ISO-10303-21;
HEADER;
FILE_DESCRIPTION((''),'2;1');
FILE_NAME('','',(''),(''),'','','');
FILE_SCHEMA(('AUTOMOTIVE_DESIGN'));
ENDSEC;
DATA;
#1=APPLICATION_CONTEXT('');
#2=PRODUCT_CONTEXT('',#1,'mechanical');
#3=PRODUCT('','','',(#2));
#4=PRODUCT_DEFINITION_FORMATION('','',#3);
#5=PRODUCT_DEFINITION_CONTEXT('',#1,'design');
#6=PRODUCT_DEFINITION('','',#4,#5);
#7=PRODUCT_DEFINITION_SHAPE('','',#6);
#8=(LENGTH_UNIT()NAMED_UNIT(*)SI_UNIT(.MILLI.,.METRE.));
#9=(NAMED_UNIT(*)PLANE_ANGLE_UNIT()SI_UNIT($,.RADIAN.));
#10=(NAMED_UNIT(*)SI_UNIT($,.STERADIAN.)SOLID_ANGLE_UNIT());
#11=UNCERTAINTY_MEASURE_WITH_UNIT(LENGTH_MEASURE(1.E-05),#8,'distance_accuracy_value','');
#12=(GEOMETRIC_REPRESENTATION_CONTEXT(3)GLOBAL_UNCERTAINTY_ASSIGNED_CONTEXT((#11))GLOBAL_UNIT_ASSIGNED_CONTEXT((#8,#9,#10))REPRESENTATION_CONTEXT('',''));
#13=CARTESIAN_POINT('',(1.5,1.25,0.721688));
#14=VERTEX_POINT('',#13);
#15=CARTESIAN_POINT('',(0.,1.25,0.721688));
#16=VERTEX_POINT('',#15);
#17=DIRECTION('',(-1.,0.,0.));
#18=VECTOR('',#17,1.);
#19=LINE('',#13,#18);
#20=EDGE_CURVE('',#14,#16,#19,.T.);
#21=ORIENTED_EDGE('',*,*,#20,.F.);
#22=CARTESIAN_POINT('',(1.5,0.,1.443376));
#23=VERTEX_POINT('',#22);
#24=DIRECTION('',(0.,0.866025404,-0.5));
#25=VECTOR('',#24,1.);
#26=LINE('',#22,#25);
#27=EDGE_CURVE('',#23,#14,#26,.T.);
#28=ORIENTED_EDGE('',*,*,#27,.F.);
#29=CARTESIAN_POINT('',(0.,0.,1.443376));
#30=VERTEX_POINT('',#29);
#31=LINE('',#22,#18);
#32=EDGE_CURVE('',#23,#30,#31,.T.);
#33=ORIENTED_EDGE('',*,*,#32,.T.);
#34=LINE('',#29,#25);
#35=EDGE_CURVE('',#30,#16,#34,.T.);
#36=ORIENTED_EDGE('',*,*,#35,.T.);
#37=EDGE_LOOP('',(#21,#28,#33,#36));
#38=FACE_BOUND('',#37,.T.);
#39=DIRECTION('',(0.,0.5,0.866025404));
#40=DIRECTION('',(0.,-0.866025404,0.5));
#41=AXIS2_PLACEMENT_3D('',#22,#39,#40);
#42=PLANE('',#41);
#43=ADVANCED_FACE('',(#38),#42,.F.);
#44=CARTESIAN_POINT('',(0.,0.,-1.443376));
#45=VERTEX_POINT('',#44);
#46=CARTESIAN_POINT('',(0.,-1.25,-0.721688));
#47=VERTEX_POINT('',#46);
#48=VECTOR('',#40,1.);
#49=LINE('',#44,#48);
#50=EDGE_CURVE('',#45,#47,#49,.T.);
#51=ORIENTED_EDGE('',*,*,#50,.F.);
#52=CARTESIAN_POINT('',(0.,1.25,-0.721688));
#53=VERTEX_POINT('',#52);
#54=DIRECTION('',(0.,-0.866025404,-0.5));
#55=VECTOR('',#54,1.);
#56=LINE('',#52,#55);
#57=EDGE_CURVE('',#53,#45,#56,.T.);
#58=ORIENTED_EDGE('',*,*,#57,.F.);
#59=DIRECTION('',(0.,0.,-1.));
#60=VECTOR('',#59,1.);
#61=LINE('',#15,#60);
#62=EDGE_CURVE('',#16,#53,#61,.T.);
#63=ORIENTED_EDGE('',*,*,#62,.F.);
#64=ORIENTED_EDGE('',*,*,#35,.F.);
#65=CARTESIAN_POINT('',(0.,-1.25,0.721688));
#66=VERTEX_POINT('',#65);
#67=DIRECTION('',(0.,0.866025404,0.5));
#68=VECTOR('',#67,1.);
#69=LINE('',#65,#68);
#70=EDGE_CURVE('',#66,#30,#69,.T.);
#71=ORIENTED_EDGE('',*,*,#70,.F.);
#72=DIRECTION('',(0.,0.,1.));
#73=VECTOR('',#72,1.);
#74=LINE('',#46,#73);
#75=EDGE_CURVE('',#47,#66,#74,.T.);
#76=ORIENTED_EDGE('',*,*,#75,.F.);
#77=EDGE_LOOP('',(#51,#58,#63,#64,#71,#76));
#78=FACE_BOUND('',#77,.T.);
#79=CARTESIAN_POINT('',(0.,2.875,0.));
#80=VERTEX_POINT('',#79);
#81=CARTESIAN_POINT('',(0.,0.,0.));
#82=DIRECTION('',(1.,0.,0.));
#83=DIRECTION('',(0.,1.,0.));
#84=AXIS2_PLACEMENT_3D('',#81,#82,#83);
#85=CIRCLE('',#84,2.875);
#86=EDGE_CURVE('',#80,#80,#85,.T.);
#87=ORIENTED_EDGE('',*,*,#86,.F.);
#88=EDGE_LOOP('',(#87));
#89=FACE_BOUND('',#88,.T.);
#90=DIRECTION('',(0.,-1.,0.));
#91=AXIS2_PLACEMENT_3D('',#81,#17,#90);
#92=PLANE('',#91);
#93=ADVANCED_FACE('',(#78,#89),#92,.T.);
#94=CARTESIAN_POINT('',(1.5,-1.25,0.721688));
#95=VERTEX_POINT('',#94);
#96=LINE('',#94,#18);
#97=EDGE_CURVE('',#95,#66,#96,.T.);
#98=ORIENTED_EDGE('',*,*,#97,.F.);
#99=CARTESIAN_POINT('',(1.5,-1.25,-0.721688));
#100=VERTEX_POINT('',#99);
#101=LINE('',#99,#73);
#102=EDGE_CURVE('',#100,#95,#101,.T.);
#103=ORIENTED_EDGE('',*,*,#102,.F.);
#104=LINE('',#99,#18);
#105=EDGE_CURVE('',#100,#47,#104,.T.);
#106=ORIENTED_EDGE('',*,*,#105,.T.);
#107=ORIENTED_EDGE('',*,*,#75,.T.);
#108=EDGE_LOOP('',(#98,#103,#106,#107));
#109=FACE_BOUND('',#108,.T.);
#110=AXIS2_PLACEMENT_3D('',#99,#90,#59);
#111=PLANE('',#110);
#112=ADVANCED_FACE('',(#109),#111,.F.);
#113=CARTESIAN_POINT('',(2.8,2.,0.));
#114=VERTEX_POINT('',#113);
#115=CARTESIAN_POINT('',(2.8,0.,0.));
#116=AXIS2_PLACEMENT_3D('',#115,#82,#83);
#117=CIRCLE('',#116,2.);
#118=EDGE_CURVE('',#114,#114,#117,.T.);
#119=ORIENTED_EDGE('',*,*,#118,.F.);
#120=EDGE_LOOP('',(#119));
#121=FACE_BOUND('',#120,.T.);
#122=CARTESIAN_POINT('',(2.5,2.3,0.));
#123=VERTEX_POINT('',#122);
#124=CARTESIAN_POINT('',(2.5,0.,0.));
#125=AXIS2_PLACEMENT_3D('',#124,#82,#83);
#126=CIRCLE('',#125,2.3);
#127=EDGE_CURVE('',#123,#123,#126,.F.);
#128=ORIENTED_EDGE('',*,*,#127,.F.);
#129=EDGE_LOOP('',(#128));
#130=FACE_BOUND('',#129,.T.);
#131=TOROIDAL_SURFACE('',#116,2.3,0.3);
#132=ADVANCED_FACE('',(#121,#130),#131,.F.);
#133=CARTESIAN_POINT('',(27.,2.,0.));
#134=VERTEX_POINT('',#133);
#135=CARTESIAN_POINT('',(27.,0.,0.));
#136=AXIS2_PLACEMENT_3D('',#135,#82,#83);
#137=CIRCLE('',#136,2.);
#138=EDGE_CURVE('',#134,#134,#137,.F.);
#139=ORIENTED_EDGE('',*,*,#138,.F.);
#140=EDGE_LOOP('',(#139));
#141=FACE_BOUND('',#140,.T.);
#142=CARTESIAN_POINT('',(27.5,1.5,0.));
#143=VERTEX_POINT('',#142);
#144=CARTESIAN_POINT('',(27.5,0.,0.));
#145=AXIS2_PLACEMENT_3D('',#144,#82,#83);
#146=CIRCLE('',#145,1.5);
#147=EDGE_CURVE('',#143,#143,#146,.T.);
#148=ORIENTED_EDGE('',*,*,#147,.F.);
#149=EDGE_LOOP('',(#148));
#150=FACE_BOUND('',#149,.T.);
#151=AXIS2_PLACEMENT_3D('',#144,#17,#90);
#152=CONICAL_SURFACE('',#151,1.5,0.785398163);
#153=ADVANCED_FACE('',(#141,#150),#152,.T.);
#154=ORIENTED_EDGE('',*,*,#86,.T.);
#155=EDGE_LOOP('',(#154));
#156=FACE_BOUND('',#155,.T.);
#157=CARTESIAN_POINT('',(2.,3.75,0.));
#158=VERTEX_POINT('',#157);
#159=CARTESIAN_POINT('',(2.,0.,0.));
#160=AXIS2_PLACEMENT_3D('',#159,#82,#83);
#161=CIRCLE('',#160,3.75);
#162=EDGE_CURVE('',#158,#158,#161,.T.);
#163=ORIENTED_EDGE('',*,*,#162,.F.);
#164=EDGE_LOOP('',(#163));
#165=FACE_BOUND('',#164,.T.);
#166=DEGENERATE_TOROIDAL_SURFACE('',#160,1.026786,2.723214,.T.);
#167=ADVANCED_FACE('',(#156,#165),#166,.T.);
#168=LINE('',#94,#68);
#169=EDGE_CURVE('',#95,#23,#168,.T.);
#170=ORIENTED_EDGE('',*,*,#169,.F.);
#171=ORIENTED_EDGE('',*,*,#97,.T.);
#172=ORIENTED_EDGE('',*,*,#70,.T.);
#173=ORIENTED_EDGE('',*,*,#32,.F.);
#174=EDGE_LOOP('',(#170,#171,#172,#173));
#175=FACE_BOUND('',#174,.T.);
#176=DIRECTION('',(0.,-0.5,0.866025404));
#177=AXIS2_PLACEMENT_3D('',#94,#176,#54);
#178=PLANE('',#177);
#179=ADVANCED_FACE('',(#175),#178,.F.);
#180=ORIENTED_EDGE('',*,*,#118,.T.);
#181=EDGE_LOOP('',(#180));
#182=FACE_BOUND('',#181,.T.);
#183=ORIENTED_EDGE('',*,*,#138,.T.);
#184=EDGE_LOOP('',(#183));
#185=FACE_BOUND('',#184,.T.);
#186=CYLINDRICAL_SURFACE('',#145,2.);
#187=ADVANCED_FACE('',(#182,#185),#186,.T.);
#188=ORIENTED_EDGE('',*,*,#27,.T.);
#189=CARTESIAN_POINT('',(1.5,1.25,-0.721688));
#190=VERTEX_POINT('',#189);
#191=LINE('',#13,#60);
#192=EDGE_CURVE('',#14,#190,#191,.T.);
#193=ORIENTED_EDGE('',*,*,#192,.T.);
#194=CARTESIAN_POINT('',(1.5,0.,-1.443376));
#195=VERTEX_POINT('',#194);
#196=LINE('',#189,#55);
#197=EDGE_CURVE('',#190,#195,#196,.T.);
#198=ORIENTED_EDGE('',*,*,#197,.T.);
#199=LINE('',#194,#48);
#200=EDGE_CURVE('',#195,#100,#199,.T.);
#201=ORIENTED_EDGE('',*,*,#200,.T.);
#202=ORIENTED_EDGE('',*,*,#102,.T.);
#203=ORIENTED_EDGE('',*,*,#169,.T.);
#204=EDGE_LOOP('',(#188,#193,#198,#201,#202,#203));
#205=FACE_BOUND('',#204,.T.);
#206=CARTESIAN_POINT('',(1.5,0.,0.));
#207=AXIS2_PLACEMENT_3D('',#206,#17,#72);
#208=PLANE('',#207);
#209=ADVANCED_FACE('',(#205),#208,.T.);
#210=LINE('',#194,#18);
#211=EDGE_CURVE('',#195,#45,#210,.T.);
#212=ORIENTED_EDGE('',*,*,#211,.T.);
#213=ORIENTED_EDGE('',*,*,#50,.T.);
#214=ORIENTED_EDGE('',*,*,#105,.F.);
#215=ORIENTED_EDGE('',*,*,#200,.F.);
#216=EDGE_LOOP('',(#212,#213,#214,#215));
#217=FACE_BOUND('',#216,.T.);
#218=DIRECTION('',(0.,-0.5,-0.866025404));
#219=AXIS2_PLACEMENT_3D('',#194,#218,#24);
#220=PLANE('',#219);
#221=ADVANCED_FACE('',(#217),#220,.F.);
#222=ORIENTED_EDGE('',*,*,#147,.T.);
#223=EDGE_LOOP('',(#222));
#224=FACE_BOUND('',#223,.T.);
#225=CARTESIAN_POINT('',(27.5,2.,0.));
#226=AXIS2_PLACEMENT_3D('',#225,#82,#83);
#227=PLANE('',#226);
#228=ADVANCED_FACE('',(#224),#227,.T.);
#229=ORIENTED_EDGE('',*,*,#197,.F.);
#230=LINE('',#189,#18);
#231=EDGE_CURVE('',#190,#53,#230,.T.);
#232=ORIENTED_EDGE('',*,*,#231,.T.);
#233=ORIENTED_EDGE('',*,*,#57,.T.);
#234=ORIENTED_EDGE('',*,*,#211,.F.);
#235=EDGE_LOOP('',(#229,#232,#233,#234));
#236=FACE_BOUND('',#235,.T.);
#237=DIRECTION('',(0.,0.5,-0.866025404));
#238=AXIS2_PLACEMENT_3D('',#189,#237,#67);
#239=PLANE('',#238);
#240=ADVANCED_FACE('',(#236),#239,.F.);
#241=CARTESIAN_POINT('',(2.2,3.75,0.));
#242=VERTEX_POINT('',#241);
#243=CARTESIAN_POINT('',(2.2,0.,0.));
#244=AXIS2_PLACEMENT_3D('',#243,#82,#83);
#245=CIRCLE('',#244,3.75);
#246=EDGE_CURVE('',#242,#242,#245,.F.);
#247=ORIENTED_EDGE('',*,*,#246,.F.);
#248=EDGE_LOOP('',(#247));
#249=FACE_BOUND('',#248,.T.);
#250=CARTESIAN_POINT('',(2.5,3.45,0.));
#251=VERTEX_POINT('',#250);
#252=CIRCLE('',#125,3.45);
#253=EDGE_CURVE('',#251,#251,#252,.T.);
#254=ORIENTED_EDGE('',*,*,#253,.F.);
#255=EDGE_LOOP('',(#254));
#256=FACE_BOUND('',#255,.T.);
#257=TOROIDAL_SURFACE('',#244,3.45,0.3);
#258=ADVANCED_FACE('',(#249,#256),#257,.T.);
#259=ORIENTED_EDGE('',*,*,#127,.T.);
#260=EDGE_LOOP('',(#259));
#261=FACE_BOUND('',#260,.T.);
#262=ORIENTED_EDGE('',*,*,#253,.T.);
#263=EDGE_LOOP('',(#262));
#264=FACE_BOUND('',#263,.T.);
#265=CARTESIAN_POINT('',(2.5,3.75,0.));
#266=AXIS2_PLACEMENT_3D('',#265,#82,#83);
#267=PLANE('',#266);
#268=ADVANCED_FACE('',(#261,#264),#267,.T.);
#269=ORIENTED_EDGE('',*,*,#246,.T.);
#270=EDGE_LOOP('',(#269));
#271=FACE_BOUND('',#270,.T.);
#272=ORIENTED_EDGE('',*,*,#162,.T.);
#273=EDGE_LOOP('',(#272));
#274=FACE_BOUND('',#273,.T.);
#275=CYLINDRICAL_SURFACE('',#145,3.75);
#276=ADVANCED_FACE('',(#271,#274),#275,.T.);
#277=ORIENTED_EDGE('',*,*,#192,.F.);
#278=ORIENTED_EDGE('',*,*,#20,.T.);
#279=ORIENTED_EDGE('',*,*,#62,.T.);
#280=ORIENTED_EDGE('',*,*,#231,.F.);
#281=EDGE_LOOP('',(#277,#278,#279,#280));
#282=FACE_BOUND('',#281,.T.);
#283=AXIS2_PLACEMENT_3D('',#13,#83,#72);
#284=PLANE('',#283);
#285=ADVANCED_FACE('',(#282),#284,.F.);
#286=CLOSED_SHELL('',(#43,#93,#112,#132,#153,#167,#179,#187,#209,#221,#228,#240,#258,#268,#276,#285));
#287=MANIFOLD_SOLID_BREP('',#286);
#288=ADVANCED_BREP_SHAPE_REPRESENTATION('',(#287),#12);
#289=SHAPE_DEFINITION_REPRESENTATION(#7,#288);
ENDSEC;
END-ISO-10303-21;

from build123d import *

# Parameters (mm, degrees)
CUT_EXTRUDE_1_DEPTH = 1.5
FILLET_1_R          = 0.3
CHAMFER_1_SIZE      = 0.5


with BuildPart() as part:
    # Эскиз1 → Повернуть1 (revolve)
    with BuildSketch(Plane.XY):
        with BuildLine():
            Line((0, 0), (0, 2.875))
            ThreePointArc((0, 2.875), (0.908484425, 3.521678457), (2, 3.75))
            Line((2, 3.75), (2.5, 3.75))
            Line((2.5, 3.75), (2.5, 2))
            Line((2.5, 2), (27.5, 2))
            Line((27.5, 2), (27.5, 0))
            Line((27.5, 0), (0, 0))
        make_face()
    revolve(axis=Axis((27.5, 0, 0), (-1, 0, 0)))

    # Эскиз2 → Вырез-Вытянуть1 (cut)
    with BuildSketch(Plane.ZY):
        Polygon((0.721687836, 1.25), (-0.721687836, 1.25), (-1.443375673, 0), (-0.721687836, -1.25), (0.721687836, -1.25), (1.443375673, 0), align=None)
    extrude(amount=-CUT_EXTRUDE_1_DEPTH, mode=Mode.SUBTRACT)

    # Скругление1
    fillet_1_edges = [part.edges().sort_by_distance(p)[0] for p in [
        (2.5, -2, 0),
        (2.5, -3.75, 0),
    ]]
    fillet(fillet_1_edges, radius=FILLET_1_R)

    # Фаска1
    chamfer_1_edges = [part.edges().sort_by_distance(p)[0] for p in [
        (27.5, -2, 0),
    ]]
    chamfer(chamfer_1_edges, length=CHAMFER_1_SIZE)


solid = part.part
